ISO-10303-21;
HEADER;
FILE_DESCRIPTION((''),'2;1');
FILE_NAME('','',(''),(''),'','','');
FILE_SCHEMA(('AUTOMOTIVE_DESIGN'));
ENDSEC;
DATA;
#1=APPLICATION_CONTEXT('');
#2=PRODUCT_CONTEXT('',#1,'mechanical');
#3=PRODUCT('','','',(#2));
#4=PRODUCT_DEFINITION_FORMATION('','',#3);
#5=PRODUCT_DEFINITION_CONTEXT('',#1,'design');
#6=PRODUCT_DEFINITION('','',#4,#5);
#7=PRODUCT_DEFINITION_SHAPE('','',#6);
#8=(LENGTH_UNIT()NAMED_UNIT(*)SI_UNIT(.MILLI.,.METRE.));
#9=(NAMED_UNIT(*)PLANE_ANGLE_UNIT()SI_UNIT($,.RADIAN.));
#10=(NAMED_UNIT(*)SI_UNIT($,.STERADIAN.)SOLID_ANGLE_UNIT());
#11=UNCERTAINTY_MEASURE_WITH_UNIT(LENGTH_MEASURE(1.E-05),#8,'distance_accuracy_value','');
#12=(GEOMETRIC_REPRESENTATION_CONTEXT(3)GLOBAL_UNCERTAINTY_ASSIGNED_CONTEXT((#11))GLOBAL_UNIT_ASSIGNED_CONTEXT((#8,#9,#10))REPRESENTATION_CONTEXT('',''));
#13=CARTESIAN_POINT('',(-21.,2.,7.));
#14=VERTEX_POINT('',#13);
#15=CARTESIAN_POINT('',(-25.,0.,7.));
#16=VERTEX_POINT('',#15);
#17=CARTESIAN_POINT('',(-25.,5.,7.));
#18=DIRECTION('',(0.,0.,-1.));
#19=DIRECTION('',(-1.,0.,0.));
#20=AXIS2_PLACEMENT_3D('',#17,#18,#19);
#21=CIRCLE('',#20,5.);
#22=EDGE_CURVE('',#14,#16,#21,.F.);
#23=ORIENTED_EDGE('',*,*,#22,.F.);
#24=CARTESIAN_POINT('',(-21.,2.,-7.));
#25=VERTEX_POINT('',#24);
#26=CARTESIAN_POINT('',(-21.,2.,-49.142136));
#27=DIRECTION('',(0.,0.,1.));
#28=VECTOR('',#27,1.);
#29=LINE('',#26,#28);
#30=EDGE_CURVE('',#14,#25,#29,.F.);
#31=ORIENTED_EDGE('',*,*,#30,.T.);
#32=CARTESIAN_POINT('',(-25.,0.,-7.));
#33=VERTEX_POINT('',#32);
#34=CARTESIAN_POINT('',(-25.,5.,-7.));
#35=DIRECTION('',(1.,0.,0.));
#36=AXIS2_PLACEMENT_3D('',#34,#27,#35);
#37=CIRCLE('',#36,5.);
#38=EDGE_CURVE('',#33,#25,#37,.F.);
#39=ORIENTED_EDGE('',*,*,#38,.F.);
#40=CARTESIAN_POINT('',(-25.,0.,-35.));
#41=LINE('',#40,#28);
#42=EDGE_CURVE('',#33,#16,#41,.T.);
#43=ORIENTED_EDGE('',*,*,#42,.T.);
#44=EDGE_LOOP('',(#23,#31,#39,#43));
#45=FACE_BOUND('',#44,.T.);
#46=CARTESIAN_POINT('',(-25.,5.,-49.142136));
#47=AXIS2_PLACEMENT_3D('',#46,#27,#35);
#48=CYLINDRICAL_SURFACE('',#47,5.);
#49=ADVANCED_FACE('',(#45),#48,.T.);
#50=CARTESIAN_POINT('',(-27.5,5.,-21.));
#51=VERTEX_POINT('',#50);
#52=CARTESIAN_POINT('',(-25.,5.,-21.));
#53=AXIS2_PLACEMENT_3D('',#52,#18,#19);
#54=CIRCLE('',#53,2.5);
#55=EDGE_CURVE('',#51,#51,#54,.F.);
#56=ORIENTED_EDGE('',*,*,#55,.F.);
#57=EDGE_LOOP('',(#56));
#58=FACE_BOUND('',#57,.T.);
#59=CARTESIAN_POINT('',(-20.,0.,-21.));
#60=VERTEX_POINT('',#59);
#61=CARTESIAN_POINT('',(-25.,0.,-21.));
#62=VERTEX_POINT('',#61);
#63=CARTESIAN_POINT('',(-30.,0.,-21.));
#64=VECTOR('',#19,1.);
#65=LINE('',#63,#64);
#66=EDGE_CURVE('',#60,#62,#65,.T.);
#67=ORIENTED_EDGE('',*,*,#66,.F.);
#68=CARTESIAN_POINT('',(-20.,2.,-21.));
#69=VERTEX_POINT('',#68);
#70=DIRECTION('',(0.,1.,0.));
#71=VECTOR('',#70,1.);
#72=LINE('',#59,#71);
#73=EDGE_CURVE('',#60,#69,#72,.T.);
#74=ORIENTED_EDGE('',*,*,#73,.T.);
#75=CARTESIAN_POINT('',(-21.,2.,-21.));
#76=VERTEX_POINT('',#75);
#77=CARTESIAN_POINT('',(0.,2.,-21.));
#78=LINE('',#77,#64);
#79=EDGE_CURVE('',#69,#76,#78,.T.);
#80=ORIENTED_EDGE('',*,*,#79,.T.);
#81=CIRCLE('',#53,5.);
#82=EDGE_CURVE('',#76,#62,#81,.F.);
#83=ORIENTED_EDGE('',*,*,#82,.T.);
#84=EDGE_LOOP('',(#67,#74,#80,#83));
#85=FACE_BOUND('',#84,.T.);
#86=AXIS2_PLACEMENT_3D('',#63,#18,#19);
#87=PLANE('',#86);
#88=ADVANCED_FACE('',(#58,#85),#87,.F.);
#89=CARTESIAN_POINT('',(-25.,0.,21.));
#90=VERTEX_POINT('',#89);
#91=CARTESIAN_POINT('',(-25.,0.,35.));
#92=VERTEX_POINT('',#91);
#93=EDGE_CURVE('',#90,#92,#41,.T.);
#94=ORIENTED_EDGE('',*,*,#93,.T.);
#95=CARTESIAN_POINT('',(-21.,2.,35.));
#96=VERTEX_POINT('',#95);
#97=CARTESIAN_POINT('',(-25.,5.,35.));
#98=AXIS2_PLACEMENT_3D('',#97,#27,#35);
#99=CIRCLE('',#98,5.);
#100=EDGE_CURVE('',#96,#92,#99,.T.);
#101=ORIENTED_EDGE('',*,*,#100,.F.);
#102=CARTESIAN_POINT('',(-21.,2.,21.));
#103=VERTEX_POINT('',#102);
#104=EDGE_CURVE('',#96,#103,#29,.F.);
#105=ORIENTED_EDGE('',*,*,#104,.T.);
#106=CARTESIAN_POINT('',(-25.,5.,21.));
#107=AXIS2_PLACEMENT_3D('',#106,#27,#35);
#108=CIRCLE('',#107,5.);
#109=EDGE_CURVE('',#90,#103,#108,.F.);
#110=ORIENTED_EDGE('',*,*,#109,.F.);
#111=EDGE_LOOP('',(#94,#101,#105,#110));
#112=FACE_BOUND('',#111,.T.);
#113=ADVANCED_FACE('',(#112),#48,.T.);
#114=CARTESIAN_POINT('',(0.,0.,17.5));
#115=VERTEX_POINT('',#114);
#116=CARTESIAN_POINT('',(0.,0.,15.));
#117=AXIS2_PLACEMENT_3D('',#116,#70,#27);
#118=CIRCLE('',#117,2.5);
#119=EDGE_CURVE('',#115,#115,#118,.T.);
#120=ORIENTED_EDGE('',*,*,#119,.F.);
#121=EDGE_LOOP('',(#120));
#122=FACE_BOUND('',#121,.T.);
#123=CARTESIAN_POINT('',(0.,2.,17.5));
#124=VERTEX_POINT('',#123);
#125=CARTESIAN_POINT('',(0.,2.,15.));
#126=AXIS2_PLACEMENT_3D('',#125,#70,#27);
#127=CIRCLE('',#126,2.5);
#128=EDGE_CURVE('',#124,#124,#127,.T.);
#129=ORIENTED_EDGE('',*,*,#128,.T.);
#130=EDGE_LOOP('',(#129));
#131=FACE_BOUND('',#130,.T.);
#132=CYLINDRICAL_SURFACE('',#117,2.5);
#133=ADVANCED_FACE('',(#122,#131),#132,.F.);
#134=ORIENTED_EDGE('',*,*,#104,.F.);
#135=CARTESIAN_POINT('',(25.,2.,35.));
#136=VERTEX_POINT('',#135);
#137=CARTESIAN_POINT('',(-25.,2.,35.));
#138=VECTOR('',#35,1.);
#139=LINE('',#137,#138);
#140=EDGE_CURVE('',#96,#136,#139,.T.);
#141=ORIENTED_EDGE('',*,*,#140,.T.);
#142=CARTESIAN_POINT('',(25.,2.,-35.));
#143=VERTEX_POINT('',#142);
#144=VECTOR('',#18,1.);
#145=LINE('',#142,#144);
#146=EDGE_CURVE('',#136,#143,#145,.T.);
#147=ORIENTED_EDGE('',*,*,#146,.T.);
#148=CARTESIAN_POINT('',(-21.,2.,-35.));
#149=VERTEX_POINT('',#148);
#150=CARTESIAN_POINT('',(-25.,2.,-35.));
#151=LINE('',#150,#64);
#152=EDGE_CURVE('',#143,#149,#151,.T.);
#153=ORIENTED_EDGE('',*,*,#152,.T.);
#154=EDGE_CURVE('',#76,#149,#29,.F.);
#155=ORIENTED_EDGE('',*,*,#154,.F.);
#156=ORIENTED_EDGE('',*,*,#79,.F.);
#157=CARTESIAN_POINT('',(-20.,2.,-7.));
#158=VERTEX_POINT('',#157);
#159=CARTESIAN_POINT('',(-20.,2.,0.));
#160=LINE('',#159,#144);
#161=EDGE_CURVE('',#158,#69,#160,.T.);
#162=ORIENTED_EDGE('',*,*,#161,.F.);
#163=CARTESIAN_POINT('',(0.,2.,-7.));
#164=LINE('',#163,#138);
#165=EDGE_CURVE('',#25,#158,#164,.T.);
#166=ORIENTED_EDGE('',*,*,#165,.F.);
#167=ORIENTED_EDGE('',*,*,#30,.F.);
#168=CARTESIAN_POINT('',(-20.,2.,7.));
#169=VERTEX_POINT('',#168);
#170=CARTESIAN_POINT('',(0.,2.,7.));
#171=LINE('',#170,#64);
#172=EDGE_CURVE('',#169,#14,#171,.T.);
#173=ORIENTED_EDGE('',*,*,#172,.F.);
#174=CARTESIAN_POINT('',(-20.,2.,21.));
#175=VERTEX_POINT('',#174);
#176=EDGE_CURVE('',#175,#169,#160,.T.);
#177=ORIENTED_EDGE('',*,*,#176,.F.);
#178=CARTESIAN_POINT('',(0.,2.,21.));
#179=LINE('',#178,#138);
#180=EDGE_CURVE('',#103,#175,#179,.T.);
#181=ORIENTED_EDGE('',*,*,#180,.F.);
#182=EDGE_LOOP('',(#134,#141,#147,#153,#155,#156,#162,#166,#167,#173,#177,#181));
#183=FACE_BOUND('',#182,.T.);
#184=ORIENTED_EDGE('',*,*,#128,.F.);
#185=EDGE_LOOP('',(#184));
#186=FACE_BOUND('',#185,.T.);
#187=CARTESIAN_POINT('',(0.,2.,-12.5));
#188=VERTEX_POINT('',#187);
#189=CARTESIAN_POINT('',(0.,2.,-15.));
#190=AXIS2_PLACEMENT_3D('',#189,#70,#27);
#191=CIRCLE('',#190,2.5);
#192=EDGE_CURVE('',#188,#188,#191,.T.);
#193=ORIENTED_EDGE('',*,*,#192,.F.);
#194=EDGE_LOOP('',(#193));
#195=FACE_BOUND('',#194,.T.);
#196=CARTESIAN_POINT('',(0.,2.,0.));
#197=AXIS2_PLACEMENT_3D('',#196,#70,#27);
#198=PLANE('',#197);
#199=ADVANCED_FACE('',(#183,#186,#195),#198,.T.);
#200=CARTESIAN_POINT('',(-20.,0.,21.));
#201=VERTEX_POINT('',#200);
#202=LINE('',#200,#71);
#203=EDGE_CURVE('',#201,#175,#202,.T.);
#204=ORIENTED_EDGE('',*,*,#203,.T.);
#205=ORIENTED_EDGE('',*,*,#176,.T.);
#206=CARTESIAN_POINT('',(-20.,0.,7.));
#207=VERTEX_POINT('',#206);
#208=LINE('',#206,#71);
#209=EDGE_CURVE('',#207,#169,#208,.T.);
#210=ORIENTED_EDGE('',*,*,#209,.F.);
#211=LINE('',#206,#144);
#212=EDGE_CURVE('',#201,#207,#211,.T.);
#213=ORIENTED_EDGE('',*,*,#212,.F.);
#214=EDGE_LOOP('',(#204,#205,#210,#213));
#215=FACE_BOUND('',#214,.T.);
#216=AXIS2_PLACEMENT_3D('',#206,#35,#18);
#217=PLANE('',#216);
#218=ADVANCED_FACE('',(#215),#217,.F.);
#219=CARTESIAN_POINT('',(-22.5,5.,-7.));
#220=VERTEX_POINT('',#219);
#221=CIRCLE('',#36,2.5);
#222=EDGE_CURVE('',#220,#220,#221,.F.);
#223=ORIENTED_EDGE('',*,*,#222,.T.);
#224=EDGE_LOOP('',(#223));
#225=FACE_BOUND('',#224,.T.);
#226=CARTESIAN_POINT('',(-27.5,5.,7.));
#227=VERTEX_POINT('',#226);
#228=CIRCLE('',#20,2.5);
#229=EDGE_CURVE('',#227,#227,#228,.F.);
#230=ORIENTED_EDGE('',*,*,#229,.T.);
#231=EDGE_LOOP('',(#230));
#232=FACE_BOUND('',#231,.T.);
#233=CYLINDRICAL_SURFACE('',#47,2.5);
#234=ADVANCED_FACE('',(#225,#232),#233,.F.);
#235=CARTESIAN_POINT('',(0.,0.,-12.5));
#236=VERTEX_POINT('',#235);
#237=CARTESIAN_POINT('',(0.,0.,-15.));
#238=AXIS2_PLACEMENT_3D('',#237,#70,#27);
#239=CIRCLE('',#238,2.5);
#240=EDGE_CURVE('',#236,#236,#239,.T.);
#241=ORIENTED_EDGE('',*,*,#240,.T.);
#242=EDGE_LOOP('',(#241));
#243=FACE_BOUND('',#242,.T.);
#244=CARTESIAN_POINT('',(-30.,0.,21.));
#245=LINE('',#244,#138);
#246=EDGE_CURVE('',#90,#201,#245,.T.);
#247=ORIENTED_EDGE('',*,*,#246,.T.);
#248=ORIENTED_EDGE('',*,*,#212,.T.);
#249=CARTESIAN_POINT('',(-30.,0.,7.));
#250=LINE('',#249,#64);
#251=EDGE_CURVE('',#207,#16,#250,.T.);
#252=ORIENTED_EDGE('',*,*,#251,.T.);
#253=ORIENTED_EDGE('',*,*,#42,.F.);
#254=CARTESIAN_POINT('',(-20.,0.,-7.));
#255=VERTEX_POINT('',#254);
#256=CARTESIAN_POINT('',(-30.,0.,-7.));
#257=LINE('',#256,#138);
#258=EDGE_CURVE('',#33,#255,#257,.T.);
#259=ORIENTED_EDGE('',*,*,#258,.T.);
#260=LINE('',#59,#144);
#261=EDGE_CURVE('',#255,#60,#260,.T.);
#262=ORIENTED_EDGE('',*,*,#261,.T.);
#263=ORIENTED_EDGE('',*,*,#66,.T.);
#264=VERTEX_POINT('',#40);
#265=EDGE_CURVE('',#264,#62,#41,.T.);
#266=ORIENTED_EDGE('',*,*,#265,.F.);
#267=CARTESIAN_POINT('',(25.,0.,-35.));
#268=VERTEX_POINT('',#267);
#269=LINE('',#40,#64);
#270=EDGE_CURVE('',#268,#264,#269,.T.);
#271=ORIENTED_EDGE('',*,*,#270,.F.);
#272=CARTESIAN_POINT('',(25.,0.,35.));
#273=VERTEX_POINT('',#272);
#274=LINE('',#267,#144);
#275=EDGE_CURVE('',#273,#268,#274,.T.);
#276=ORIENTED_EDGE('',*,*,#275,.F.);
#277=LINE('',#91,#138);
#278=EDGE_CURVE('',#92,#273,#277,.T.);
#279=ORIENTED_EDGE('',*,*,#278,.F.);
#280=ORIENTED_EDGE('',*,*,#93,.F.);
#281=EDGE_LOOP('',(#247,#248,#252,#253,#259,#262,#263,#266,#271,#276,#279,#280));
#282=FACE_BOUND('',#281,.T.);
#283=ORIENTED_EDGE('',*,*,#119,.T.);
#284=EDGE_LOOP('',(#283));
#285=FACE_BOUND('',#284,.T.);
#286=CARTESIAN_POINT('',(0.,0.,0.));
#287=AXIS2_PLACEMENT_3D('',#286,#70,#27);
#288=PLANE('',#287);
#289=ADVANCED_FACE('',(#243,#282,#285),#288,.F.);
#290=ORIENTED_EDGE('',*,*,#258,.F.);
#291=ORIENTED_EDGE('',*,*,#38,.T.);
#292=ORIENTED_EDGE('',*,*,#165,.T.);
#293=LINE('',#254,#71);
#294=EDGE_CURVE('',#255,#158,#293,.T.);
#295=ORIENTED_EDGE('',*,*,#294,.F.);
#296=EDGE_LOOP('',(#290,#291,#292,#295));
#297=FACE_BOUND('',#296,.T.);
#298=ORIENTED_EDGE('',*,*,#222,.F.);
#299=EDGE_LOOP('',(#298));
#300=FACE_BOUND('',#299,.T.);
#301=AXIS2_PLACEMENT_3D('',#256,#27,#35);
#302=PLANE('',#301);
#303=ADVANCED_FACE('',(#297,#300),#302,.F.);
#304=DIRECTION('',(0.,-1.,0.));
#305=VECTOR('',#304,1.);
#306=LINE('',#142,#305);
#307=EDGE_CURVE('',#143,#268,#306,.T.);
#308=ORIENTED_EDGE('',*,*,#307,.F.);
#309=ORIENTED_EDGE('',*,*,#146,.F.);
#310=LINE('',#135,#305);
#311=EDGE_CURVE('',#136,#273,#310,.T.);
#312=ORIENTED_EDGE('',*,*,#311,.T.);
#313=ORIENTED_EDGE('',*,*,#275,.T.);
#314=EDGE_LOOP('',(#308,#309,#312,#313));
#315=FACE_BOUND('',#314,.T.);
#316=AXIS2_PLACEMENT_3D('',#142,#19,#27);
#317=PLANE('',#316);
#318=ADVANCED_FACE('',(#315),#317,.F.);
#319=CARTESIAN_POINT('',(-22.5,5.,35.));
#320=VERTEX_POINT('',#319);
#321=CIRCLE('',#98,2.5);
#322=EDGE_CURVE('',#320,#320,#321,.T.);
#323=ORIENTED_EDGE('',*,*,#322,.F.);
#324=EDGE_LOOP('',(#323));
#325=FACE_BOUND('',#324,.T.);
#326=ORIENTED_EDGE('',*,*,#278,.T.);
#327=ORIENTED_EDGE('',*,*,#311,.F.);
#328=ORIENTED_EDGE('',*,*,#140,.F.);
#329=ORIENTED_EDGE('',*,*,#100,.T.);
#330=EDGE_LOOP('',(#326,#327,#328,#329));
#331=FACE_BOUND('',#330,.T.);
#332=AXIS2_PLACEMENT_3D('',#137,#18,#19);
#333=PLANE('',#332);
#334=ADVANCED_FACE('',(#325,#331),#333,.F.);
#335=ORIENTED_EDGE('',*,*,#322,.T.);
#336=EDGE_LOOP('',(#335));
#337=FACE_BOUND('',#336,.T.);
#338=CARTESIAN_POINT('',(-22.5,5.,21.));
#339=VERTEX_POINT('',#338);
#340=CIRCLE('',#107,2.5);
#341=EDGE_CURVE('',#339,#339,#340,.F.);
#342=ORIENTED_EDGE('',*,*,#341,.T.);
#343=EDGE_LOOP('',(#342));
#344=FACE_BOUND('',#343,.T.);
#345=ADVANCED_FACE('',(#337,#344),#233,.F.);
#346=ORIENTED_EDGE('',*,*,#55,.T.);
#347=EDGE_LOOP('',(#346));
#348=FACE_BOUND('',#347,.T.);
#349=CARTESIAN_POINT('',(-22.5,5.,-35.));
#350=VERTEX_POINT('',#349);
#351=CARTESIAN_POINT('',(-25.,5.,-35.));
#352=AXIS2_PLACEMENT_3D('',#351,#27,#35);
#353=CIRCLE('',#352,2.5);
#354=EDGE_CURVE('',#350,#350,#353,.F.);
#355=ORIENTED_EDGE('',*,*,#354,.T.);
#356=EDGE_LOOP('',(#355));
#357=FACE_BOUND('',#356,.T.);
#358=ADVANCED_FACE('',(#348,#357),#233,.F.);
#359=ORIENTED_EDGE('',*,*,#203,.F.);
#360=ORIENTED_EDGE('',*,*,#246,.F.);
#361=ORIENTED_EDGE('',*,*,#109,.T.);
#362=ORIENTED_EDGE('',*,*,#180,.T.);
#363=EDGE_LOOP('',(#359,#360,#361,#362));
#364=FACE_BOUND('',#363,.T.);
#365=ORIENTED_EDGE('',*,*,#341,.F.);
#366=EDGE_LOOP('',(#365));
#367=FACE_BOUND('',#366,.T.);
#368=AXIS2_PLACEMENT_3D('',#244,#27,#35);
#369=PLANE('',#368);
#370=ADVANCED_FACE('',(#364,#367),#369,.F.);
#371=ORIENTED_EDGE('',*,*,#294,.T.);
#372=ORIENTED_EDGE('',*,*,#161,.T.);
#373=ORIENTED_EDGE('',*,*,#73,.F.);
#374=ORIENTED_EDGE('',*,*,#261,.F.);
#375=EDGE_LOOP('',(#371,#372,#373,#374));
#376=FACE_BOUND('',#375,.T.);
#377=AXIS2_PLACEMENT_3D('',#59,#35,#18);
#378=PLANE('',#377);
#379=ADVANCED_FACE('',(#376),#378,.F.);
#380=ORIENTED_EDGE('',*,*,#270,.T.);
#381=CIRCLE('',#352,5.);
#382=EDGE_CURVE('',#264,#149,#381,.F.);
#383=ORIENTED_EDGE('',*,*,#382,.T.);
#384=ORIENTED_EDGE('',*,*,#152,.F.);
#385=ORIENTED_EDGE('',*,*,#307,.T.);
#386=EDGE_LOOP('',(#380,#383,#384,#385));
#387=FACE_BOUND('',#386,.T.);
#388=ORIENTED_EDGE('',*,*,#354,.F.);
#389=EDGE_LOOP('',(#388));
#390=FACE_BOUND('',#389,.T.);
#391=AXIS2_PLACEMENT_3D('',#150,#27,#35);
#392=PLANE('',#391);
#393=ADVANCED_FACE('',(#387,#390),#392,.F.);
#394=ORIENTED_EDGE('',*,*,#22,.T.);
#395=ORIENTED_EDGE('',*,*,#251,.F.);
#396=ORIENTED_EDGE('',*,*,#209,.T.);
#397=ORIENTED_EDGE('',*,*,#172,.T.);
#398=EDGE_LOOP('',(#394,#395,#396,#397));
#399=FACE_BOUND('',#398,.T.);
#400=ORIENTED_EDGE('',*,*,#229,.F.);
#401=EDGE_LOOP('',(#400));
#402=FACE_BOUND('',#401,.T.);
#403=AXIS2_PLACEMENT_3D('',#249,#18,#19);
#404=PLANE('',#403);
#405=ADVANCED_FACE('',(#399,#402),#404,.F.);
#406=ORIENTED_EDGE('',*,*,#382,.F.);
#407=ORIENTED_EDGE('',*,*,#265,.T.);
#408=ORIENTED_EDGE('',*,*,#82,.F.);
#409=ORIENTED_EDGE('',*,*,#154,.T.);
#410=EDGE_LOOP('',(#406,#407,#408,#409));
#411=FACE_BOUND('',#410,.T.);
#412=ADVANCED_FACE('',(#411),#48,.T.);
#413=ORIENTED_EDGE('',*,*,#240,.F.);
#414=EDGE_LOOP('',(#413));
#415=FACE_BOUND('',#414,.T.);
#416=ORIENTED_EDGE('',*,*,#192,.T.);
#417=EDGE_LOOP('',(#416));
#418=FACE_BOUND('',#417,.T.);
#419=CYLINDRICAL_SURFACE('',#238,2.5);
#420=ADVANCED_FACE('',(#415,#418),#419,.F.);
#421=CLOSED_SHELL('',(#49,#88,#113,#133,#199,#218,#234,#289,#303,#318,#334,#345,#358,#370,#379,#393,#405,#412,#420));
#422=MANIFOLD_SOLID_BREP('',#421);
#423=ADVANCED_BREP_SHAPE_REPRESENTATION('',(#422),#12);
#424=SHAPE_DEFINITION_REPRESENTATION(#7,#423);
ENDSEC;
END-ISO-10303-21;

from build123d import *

# Parameters (mm, degrees)
SKETCH1_W               = 50
SKETCH1_H               = 70
BOSS_EXTRUDE1_DEPTH     = 2
SKETCH2_R               = 5
SKETCH2_R_2             = 2.5
BOSS_EXTRUDE2_DEPTH     = 70
SKETCH3_R               = 2.5
CUT_EXTRUDE1_DEPTH      = 47.786750261
CUT_EXTRUDE2_DEPTH      = 47.786750261
CUT_EXTRUDE2_DEPTH_BACK = 47.786750261
SKETCH5_W               = 10
SKETCH5_H               = 14


with BuildPart() as part:
    # Sketch1 → Boss-Extrude1 (new body)
    with BuildSketch(Plane(origin=(0, 0, 0), x_dir=(1, 0, 0), z_dir=(0, 1, 0))):
        Rectangle(SKETCH1_W, SKETCH1_H)
    extrude(amount=BOSS_EXTRUDE1_DEPTH)

    # Sketch2 → Boss-Extrude2 (add)
    with BuildSketch(Plane.XY.offset(35)):
        with Locations((-25, 5)):
            Circle(SKETCH2_R)
        with Locations((-25, 5)):
            Circle(SKETCH2_R_2, mode=Mode.SUBTRACT)
    extrude(amount=-BOSS_EXTRUDE2_DEPTH)

    # Sketch3 → Cut-Extrude1 (cut, through all)
    with BuildSketch(Plane(origin=(0, 2, 0), x_dir=(1, 0, 0), z_dir=(0, 1, 0))):
        with Locations(Location((0, 15, 0), (0, 0, 270))):
            Circle(SKETCH3_R)
        with Locations(Location((0, -15, 0), (0, 0, 270))):
            Circle(SKETCH3_R)
    extrude(amount=-CUT_EXTRUDE1_DEPTH, mode=Mode.SUBTRACT)

    # Sketch5 → Cut-Extrude2 (cut, two sides: drawn at the far end of the back side and taken through both)
    with BuildSketch(Plane(origin=(0, 2, 0), x_dir=(1, 0, 0), z_dir=(0, 1, 0)).offset(-CUT_EXTRUDE2_DEPTH_BACK)):
        with Locations((-25, -14)):
            Rectangle(SKETCH5_W, SKETCH5_H)
        with Locations((-25, 14)):
            Rectangle(SKETCH5_W, SKETCH5_H)
    extrude(amount=CUT_EXTRUDE2_DEPTH + CUT_EXTRUDE2_DEPTH_BACK, mode=Mode.SUBTRACT)


solid = part.part
